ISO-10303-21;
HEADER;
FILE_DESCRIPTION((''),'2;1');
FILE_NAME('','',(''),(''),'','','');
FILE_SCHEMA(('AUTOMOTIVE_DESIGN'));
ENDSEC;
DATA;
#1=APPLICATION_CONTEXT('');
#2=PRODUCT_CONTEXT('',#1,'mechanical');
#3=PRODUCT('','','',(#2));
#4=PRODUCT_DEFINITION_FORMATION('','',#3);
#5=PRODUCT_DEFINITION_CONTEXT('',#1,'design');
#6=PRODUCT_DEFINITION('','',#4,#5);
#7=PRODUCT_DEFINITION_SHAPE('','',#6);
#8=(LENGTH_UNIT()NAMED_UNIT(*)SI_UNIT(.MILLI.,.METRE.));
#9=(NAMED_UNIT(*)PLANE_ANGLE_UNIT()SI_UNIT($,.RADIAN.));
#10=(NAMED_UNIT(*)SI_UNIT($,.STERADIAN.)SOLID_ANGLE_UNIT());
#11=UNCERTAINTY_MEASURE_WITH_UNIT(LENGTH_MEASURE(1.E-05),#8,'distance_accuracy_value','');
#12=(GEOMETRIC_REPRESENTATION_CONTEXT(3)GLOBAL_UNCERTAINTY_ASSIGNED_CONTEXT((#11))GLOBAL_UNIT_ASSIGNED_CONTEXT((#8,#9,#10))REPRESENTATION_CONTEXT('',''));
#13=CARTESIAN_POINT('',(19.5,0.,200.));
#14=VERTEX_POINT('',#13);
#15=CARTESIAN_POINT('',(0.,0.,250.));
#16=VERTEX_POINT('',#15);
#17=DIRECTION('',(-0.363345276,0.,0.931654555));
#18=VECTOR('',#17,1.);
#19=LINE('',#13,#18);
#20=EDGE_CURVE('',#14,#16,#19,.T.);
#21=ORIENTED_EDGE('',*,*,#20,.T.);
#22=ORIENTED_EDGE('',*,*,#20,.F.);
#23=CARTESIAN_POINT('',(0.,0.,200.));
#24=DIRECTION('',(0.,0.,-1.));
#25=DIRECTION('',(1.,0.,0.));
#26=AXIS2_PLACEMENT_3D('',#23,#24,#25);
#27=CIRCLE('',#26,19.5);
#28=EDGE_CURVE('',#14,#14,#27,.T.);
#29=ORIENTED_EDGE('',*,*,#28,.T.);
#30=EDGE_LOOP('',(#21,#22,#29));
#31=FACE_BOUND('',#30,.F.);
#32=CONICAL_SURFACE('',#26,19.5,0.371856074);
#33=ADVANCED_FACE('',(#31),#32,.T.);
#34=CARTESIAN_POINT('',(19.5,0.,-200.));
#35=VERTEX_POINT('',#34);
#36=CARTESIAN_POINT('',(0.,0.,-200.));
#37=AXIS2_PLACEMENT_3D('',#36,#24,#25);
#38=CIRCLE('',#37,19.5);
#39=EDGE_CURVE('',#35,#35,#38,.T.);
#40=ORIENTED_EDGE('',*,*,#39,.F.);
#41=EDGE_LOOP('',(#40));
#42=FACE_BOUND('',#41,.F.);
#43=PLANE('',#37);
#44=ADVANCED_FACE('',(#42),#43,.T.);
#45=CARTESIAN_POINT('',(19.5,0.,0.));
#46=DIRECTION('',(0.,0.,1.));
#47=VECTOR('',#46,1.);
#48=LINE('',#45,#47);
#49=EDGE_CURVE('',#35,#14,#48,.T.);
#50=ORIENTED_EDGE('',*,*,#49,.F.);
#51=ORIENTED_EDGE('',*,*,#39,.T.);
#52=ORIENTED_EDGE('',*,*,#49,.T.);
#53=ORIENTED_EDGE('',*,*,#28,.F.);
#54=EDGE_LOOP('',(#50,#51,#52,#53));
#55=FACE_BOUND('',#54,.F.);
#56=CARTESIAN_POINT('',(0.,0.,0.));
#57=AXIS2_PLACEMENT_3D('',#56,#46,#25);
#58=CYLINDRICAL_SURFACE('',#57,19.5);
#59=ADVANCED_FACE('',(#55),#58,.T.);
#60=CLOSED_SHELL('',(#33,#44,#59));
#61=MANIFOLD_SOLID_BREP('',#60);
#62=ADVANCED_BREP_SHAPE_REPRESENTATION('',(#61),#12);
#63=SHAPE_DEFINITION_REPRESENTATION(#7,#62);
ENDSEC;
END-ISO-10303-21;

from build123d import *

# Parameters (mm, degrees)
F0_W = 19.5
F0_H = 400


with BuildPart() as f1:
    # F0 (on Front) → F1 (revolve)
    with BuildSketch(Plane.XZ):
        with Locations((9.75, 0)):
            Rectangle(F0_W, F0_H)
        Polygon((0, 200), (19.5, 200), (0, 250), align=None)
    revolve(axis=Axis((0, 0, 25), (0, 0, -1)))


solid = f1.part
